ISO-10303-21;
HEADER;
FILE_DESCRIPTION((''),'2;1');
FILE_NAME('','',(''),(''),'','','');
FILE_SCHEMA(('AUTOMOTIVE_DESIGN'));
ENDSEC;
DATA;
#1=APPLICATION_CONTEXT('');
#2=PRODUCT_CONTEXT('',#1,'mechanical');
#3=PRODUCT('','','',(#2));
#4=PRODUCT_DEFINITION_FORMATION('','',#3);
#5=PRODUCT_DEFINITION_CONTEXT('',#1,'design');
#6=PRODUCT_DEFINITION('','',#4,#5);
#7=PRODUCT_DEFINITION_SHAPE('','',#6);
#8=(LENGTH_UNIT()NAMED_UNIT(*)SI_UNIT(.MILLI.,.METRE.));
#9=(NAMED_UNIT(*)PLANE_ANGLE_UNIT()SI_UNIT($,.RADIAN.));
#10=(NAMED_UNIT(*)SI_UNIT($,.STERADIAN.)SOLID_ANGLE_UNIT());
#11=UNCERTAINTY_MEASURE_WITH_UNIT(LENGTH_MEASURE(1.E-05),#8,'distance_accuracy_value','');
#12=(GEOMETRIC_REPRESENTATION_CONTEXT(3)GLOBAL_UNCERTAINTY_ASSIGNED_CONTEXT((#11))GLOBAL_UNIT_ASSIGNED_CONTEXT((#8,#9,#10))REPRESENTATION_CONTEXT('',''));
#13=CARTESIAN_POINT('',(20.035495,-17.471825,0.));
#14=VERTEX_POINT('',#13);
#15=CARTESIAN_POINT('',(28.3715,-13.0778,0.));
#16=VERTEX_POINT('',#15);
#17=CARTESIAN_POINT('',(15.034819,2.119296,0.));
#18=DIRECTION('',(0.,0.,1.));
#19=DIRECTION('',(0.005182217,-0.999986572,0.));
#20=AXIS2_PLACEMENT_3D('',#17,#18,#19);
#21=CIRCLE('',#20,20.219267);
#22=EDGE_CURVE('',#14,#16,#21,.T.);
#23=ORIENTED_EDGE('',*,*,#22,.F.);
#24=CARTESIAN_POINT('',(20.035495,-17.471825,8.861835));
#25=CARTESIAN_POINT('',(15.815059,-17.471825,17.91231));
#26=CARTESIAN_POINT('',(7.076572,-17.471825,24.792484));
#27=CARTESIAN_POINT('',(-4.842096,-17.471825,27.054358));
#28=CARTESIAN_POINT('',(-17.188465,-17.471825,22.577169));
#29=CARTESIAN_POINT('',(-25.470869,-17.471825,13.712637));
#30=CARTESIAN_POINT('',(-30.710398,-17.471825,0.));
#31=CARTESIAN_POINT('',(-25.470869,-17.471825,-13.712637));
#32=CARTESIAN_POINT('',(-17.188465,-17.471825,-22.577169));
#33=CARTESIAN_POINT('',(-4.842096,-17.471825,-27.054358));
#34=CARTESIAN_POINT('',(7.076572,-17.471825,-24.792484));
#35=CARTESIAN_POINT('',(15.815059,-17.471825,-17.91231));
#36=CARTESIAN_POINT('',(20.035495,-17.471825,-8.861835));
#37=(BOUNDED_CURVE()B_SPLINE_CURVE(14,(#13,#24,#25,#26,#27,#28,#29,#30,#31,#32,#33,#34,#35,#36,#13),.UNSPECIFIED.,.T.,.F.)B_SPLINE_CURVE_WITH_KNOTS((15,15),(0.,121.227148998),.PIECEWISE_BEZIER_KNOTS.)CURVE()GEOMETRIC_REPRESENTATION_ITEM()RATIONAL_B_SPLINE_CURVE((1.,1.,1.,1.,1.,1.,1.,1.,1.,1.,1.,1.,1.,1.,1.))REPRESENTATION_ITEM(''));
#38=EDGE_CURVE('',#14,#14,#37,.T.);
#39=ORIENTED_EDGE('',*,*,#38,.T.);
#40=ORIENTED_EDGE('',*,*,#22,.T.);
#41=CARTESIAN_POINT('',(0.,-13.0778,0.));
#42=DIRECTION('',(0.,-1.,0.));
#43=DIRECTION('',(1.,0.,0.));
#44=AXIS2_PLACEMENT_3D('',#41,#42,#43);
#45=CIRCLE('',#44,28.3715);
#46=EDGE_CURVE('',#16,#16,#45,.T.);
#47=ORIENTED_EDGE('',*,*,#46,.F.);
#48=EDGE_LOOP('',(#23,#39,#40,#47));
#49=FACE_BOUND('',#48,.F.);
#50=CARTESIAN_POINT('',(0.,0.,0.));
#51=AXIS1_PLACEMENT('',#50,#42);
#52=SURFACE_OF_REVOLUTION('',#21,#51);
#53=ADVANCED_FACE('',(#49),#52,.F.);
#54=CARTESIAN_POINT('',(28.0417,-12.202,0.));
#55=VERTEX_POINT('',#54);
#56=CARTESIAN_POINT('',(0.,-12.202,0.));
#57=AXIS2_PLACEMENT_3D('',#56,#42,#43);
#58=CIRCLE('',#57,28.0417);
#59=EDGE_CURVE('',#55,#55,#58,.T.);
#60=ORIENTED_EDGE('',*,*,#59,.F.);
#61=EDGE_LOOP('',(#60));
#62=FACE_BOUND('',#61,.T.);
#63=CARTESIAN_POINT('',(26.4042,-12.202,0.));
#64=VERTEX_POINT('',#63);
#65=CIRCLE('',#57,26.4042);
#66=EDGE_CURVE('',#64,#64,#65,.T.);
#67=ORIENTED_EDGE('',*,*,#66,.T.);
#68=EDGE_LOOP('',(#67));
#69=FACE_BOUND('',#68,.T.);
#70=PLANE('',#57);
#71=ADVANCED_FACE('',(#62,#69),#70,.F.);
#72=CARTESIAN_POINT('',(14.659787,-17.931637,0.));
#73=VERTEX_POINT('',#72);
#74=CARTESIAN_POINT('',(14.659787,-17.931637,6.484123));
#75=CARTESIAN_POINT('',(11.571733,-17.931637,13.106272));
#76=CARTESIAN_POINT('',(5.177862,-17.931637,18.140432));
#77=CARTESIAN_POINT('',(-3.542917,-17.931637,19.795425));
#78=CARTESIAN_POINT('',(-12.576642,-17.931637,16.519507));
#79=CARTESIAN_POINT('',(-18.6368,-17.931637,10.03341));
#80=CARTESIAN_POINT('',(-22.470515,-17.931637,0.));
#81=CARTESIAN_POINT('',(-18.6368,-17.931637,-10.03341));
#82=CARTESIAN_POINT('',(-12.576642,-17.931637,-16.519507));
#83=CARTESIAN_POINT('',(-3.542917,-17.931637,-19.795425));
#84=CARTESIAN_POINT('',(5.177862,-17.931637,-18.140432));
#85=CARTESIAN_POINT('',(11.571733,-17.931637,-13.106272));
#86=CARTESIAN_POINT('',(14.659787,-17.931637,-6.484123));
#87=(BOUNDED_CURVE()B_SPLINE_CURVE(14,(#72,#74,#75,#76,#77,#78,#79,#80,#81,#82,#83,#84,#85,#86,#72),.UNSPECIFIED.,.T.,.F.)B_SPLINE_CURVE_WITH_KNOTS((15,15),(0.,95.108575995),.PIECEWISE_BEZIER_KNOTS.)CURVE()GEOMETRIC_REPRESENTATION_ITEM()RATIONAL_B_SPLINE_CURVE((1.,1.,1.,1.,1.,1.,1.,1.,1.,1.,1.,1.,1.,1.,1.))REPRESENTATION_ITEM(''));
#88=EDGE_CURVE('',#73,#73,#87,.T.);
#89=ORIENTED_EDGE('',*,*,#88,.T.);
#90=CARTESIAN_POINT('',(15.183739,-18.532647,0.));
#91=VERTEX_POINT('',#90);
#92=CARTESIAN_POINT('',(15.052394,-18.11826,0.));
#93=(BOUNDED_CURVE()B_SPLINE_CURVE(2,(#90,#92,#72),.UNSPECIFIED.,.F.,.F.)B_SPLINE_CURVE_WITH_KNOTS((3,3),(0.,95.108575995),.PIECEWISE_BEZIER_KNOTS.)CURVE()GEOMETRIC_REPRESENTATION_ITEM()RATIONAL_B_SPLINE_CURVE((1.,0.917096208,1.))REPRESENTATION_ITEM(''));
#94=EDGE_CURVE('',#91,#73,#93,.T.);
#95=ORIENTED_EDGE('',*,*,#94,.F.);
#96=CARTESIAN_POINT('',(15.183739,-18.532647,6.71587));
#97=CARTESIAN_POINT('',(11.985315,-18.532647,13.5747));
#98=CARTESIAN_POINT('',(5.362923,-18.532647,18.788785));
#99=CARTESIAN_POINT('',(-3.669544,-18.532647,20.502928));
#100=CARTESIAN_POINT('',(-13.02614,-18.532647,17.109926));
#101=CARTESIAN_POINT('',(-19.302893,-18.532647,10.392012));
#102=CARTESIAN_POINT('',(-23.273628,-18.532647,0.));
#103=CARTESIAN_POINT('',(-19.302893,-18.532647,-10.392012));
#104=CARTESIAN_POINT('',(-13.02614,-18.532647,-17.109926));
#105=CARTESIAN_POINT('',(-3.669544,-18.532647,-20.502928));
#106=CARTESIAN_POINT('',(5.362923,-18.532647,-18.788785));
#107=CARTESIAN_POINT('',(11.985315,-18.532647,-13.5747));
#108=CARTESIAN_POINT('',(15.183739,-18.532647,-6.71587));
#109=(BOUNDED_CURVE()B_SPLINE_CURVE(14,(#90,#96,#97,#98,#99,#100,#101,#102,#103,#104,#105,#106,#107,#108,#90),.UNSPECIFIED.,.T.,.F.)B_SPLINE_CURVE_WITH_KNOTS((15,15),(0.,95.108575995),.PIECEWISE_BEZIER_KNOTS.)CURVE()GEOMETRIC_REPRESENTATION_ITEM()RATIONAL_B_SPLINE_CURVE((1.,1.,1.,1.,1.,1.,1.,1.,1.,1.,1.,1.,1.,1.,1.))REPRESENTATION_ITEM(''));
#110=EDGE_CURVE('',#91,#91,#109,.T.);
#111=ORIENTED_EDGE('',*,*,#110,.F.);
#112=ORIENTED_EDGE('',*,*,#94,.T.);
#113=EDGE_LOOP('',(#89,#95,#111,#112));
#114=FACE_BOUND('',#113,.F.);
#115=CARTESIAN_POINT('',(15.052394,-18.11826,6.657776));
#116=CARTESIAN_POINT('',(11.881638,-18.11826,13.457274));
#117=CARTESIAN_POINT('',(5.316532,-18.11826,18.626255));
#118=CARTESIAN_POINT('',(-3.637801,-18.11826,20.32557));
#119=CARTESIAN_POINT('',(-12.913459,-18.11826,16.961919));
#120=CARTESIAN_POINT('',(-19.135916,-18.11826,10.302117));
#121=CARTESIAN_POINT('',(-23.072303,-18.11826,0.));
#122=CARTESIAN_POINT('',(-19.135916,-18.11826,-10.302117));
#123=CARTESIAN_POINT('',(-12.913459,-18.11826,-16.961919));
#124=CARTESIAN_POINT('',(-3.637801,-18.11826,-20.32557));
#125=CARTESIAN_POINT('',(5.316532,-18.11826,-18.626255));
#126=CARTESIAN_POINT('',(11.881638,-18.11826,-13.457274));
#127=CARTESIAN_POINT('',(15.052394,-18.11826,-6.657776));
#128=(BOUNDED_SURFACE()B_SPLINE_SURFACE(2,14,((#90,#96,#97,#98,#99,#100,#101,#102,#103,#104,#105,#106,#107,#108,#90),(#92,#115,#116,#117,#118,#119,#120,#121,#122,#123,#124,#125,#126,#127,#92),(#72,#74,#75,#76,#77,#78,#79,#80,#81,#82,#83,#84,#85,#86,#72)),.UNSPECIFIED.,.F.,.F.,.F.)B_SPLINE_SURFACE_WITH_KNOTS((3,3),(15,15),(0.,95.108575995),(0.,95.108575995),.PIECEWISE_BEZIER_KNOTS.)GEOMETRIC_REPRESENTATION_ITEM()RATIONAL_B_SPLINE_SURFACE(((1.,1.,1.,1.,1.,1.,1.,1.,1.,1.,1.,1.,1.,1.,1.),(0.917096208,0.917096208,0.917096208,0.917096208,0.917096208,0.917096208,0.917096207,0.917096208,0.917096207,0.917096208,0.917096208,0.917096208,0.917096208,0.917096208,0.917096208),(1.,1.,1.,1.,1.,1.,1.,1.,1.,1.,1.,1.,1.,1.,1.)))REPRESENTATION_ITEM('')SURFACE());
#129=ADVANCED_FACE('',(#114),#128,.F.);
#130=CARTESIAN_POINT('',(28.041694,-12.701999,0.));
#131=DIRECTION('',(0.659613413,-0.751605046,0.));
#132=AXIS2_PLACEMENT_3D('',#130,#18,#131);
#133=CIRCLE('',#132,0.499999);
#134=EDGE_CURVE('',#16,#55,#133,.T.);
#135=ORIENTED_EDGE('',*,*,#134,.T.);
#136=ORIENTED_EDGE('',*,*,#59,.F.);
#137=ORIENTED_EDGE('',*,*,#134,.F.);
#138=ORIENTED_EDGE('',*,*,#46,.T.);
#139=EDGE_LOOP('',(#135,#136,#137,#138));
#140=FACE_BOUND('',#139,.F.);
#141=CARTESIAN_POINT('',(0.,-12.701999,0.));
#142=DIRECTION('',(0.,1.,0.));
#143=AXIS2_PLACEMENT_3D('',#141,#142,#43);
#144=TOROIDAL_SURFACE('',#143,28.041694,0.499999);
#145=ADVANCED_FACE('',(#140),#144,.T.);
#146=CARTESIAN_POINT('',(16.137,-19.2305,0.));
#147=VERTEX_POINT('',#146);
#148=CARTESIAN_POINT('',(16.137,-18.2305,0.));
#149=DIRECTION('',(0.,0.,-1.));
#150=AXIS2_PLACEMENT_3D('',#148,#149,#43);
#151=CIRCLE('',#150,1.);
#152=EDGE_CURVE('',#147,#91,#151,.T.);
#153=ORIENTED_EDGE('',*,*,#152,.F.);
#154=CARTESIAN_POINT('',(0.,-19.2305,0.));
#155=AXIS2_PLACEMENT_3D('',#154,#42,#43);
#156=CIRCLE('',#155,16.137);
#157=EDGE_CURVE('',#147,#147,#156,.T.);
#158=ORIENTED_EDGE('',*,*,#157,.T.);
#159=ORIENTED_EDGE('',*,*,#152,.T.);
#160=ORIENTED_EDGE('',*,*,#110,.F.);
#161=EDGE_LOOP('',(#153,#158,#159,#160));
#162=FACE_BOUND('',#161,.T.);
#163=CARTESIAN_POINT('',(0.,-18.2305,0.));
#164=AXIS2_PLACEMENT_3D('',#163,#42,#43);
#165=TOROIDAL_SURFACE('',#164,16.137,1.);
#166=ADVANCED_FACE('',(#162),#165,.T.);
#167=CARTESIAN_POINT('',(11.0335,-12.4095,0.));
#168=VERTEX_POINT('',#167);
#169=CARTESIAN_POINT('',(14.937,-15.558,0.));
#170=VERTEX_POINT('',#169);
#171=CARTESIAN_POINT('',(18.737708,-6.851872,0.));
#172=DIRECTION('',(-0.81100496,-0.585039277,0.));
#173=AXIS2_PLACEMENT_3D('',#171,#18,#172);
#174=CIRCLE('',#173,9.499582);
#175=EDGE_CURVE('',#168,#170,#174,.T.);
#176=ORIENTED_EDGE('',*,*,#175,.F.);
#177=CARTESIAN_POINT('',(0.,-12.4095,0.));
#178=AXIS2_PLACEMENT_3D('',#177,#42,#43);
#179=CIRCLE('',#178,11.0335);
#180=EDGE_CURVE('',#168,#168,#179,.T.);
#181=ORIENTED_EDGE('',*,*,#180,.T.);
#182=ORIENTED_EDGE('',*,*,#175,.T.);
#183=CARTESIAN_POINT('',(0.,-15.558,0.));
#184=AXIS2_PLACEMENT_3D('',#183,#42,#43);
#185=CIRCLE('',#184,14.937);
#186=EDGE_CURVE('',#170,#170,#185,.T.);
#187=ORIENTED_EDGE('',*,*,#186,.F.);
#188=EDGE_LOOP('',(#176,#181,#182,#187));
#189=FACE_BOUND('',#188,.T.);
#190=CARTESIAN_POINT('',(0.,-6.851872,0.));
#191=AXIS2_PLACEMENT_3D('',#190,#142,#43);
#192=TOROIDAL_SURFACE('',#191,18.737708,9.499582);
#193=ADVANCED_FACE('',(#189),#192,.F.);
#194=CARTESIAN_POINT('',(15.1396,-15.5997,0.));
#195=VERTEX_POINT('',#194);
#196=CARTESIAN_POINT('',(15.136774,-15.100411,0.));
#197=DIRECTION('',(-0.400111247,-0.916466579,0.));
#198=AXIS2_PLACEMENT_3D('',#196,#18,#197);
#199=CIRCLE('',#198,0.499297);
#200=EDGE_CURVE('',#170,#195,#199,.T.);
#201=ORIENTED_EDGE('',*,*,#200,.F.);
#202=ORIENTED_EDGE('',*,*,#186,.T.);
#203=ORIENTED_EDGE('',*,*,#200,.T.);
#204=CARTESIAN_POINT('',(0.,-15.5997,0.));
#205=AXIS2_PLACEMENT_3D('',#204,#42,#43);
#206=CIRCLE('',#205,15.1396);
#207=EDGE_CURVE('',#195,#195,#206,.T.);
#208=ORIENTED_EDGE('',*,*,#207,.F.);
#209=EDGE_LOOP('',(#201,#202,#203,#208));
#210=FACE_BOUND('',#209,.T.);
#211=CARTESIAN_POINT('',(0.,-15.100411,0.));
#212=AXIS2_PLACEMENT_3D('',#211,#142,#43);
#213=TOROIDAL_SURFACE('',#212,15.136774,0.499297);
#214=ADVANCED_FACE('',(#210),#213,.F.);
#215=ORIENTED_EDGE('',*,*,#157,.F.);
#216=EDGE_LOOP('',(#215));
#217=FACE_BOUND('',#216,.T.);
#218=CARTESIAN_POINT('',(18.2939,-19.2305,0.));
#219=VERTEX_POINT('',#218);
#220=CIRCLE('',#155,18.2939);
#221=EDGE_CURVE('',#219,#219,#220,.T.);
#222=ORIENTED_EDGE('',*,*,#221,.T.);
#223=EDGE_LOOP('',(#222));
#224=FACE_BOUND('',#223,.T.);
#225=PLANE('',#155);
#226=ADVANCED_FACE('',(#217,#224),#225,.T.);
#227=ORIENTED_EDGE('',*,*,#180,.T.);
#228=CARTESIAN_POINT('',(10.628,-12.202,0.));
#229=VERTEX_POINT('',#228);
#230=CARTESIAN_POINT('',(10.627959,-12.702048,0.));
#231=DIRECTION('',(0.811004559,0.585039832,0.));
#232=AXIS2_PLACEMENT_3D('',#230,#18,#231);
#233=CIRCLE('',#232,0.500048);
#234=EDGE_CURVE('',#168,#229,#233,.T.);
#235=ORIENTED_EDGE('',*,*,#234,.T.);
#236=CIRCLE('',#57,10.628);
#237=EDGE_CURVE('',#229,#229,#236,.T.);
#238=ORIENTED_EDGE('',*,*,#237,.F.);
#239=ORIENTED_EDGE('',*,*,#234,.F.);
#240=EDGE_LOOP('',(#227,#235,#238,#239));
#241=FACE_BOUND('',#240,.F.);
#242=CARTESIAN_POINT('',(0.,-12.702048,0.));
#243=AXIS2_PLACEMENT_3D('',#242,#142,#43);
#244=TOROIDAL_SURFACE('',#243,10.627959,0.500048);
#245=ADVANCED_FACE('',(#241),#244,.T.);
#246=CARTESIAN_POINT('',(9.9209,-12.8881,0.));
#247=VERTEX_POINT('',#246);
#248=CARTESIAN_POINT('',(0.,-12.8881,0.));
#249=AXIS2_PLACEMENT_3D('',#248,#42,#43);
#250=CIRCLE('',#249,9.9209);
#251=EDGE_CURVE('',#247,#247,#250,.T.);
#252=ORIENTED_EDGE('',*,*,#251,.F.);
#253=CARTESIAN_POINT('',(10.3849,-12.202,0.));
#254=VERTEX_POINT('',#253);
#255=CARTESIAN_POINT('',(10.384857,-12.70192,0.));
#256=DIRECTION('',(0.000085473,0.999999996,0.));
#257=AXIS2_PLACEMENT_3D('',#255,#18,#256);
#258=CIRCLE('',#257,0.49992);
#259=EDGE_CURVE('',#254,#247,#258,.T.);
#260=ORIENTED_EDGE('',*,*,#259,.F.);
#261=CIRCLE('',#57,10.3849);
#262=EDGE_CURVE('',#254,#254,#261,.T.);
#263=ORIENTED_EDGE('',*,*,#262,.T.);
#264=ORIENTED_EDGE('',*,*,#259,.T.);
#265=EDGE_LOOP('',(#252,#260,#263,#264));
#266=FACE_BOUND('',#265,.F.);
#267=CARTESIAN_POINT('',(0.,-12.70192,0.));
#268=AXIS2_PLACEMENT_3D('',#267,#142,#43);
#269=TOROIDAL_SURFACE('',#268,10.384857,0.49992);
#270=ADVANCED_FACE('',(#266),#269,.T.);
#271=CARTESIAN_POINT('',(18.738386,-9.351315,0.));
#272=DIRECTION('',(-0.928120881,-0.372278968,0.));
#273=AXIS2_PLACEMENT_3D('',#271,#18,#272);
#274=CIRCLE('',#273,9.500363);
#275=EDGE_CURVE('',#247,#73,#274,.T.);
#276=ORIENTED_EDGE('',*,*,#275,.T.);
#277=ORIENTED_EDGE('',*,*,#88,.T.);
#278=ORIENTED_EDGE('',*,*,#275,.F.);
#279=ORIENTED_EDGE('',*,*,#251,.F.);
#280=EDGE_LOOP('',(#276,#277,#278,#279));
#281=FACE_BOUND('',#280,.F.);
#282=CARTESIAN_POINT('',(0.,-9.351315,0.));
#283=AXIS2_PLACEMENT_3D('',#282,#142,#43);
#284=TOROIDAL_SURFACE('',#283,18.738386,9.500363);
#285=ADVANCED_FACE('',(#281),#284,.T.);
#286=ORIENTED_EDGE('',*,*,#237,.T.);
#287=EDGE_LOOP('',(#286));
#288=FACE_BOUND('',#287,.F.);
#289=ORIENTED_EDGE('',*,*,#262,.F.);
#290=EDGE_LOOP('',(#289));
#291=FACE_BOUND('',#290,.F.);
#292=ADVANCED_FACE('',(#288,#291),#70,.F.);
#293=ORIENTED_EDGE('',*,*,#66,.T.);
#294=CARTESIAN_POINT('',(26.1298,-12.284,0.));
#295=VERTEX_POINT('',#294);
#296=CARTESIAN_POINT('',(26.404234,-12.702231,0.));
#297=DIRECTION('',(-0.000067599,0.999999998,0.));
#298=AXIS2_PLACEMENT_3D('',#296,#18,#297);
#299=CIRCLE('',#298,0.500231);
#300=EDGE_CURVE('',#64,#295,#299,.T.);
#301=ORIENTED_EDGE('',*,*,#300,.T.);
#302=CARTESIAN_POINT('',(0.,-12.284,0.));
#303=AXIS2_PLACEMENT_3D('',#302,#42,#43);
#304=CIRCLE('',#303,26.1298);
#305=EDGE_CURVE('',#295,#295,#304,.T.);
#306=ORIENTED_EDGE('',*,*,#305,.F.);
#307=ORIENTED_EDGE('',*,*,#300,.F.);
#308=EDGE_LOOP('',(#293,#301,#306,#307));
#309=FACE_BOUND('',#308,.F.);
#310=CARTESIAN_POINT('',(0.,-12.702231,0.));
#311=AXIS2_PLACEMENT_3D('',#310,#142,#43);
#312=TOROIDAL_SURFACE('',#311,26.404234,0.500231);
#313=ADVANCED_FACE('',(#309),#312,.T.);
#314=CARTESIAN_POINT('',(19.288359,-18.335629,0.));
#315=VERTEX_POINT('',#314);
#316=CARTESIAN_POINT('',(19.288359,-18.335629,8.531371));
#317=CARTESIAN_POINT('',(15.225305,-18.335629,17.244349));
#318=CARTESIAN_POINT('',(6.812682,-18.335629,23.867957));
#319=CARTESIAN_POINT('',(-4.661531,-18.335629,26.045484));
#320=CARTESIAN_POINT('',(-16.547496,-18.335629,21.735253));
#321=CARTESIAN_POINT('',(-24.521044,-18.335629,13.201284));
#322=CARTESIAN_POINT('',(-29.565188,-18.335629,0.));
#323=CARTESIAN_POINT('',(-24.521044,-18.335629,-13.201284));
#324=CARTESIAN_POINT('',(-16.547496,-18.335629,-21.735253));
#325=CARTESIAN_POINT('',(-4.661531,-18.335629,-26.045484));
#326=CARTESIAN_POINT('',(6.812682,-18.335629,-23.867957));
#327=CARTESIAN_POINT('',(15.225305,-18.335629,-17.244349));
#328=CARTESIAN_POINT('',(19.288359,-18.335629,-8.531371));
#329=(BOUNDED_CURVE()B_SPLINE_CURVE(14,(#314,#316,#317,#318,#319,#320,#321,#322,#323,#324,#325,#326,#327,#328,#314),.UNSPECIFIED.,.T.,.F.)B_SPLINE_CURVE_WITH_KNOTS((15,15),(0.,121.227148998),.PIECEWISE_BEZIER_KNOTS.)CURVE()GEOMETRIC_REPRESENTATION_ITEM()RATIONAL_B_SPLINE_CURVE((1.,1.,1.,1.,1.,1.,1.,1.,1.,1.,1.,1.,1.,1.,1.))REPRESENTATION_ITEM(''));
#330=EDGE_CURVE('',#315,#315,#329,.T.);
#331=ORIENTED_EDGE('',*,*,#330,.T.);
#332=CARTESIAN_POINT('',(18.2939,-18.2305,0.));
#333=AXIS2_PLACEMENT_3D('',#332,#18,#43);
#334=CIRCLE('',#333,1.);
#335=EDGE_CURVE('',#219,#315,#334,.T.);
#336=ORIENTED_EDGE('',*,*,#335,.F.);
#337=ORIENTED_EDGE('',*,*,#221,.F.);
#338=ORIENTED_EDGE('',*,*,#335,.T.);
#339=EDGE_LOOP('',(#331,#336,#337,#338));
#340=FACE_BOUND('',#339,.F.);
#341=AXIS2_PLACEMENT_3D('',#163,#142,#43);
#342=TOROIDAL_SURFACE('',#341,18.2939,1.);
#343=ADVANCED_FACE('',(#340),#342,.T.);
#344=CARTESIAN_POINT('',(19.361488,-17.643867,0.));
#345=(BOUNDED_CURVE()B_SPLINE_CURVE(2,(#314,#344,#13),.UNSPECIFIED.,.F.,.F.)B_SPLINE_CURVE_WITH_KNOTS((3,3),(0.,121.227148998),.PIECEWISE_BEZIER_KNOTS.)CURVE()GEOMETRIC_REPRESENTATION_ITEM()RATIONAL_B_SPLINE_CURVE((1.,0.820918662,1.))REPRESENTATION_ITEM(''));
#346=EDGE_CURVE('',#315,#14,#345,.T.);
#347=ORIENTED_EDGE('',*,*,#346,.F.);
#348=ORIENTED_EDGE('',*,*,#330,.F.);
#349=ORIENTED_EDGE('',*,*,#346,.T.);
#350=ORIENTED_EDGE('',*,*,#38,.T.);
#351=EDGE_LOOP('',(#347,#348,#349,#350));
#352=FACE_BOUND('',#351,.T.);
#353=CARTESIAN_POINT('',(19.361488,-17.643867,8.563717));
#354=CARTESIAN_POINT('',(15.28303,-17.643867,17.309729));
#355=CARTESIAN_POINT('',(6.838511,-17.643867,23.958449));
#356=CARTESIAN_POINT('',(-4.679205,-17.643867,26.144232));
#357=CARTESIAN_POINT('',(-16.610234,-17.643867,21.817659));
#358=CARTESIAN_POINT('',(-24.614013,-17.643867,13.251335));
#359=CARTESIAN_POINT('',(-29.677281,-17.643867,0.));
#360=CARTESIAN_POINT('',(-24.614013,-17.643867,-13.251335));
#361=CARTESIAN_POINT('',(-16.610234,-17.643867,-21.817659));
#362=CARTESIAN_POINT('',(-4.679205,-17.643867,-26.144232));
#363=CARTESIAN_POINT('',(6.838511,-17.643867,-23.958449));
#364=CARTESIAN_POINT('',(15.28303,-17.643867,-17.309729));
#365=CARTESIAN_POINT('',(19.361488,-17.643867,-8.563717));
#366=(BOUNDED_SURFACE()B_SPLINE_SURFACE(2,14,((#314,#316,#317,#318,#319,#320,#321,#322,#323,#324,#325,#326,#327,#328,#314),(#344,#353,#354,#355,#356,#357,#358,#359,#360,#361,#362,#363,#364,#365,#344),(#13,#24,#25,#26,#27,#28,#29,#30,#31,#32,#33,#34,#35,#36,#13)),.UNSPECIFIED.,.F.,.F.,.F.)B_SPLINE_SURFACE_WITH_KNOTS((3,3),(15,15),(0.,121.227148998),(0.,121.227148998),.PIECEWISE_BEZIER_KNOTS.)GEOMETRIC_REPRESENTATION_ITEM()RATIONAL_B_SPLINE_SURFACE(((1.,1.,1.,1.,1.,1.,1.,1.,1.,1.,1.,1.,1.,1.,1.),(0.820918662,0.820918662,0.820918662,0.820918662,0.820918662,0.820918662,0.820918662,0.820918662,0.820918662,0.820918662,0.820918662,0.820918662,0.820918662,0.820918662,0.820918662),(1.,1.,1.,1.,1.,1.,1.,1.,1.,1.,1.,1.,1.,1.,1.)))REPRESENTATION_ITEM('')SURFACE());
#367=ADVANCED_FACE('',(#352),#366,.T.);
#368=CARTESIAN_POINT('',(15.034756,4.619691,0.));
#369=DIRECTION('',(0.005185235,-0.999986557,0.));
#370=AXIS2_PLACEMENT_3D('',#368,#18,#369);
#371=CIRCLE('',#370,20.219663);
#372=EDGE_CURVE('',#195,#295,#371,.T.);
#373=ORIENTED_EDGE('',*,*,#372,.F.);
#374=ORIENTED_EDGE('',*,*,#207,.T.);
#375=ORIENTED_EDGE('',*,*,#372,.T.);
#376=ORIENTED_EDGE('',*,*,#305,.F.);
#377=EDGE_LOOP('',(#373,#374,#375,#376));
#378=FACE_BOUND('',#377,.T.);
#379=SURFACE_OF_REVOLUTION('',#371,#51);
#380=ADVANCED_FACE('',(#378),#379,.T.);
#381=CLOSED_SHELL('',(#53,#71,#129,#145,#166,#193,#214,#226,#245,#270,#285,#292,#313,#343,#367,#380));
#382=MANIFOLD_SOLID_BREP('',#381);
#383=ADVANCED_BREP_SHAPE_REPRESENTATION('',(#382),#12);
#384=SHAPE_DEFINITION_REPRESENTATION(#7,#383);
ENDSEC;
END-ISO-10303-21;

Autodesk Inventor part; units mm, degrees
ref_plane "YZ Plane" through (0, 0, 0) normal (1, 0, 0) x (0, 1, 0)
ref_plane "XZ Plane" through (0, 0, 0) normal (0, 1, 0) x (-1, 0, 0)
ref_plane "XY Plane" through (0, 0, 0) normal (0, 0, 1) x (1, 0, 0)
sketch "Sketch1" plane through (0, 0, 0) normal (0, 0, 1) x (1, 0, 0)
  arc A0 (15.1396, -15.5997) -> (26.1298, -12.284) centre (15.0348, 4.6194) ccw
  arc A1 (11.0335, -12.4095) -> (14.937, -15.558) centre (18.7381, -6.8515) ccw
  arc A2 (9.9209, -12.8881) -> (14.937, -18.058) centre (18.7381, -9.3515) ccw
  arc A3 (15.1396, -18.0997) -> (28.3715, -13.0778) centre (15.0348, 2.1194) ccw
  line L0 (26.4042, -12.202) -> (28.0417, -12.202)
  line L1 (28.0417, -12.202) -> (26.2537, -12.202)
  line L2 (10.628, -12.202) -> (10.3849, -12.202)
  arc A4 (10.3849, -12.202) -> (9.9209, -12.8881) centre (10.3849, -12.702) ccw
  arc A5 (11.0335, -12.4095) -> (10.628, -12.202) centre (10.628, -12.702) ccw
  arc A6 (26.4042, -12.202) -> (26.1298, -12.284) centre (26.4042, -12.702) ccw
  arc A7 (28.3715, -13.0778) -> (28.0417, -12.202) centre (28.0417, -12.702) ccw
  arc A8 (14.937, -18.058) -> (15.1396, -18.0997) centre (15.137, -17.5997) ccw
  arc A9 (14.937, -15.558) -> (15.1396, -15.5997) centre (15.137, -15.0997) ccw
  line L3 (0, 0) -> (0, -18.0894)
  line L4 (15.137, -17.5997) -> (19.2939, -17.5997)
  line L5 (19.2939, -17.5997) -> (19.2939, -19.2305)
  line L6 (19.2939, -19.2305) -> (15.137, -19.2305)
  line L7 (15.137, -19.2305) -> (15.137, -17.5997)
  point P0 (9.6758, -12.202)
  point P1 (10.888, -12.202)
  point P2 (19.2939, -17.6463)
  point P3 (15.137, -18.0997)
  dimension "d1" = 0.5
revolve "Revolution2" add sketch "Sketch1" angle 360 about axis through (0, 0, 0) along (0, -1, 0)
fillet "Fillet5" radius 1 4 edges at (-15.137, -19.2305, 0) (-15.137, -18.0997, 0) (-19.2939, -19.2305, 0) (-19.2939, -17.6463, 0)
properties part number "8002_base_132uH_DCore_2layer_Tx_Filter_MPSv2_v1" material "Acetal Resin, White"
